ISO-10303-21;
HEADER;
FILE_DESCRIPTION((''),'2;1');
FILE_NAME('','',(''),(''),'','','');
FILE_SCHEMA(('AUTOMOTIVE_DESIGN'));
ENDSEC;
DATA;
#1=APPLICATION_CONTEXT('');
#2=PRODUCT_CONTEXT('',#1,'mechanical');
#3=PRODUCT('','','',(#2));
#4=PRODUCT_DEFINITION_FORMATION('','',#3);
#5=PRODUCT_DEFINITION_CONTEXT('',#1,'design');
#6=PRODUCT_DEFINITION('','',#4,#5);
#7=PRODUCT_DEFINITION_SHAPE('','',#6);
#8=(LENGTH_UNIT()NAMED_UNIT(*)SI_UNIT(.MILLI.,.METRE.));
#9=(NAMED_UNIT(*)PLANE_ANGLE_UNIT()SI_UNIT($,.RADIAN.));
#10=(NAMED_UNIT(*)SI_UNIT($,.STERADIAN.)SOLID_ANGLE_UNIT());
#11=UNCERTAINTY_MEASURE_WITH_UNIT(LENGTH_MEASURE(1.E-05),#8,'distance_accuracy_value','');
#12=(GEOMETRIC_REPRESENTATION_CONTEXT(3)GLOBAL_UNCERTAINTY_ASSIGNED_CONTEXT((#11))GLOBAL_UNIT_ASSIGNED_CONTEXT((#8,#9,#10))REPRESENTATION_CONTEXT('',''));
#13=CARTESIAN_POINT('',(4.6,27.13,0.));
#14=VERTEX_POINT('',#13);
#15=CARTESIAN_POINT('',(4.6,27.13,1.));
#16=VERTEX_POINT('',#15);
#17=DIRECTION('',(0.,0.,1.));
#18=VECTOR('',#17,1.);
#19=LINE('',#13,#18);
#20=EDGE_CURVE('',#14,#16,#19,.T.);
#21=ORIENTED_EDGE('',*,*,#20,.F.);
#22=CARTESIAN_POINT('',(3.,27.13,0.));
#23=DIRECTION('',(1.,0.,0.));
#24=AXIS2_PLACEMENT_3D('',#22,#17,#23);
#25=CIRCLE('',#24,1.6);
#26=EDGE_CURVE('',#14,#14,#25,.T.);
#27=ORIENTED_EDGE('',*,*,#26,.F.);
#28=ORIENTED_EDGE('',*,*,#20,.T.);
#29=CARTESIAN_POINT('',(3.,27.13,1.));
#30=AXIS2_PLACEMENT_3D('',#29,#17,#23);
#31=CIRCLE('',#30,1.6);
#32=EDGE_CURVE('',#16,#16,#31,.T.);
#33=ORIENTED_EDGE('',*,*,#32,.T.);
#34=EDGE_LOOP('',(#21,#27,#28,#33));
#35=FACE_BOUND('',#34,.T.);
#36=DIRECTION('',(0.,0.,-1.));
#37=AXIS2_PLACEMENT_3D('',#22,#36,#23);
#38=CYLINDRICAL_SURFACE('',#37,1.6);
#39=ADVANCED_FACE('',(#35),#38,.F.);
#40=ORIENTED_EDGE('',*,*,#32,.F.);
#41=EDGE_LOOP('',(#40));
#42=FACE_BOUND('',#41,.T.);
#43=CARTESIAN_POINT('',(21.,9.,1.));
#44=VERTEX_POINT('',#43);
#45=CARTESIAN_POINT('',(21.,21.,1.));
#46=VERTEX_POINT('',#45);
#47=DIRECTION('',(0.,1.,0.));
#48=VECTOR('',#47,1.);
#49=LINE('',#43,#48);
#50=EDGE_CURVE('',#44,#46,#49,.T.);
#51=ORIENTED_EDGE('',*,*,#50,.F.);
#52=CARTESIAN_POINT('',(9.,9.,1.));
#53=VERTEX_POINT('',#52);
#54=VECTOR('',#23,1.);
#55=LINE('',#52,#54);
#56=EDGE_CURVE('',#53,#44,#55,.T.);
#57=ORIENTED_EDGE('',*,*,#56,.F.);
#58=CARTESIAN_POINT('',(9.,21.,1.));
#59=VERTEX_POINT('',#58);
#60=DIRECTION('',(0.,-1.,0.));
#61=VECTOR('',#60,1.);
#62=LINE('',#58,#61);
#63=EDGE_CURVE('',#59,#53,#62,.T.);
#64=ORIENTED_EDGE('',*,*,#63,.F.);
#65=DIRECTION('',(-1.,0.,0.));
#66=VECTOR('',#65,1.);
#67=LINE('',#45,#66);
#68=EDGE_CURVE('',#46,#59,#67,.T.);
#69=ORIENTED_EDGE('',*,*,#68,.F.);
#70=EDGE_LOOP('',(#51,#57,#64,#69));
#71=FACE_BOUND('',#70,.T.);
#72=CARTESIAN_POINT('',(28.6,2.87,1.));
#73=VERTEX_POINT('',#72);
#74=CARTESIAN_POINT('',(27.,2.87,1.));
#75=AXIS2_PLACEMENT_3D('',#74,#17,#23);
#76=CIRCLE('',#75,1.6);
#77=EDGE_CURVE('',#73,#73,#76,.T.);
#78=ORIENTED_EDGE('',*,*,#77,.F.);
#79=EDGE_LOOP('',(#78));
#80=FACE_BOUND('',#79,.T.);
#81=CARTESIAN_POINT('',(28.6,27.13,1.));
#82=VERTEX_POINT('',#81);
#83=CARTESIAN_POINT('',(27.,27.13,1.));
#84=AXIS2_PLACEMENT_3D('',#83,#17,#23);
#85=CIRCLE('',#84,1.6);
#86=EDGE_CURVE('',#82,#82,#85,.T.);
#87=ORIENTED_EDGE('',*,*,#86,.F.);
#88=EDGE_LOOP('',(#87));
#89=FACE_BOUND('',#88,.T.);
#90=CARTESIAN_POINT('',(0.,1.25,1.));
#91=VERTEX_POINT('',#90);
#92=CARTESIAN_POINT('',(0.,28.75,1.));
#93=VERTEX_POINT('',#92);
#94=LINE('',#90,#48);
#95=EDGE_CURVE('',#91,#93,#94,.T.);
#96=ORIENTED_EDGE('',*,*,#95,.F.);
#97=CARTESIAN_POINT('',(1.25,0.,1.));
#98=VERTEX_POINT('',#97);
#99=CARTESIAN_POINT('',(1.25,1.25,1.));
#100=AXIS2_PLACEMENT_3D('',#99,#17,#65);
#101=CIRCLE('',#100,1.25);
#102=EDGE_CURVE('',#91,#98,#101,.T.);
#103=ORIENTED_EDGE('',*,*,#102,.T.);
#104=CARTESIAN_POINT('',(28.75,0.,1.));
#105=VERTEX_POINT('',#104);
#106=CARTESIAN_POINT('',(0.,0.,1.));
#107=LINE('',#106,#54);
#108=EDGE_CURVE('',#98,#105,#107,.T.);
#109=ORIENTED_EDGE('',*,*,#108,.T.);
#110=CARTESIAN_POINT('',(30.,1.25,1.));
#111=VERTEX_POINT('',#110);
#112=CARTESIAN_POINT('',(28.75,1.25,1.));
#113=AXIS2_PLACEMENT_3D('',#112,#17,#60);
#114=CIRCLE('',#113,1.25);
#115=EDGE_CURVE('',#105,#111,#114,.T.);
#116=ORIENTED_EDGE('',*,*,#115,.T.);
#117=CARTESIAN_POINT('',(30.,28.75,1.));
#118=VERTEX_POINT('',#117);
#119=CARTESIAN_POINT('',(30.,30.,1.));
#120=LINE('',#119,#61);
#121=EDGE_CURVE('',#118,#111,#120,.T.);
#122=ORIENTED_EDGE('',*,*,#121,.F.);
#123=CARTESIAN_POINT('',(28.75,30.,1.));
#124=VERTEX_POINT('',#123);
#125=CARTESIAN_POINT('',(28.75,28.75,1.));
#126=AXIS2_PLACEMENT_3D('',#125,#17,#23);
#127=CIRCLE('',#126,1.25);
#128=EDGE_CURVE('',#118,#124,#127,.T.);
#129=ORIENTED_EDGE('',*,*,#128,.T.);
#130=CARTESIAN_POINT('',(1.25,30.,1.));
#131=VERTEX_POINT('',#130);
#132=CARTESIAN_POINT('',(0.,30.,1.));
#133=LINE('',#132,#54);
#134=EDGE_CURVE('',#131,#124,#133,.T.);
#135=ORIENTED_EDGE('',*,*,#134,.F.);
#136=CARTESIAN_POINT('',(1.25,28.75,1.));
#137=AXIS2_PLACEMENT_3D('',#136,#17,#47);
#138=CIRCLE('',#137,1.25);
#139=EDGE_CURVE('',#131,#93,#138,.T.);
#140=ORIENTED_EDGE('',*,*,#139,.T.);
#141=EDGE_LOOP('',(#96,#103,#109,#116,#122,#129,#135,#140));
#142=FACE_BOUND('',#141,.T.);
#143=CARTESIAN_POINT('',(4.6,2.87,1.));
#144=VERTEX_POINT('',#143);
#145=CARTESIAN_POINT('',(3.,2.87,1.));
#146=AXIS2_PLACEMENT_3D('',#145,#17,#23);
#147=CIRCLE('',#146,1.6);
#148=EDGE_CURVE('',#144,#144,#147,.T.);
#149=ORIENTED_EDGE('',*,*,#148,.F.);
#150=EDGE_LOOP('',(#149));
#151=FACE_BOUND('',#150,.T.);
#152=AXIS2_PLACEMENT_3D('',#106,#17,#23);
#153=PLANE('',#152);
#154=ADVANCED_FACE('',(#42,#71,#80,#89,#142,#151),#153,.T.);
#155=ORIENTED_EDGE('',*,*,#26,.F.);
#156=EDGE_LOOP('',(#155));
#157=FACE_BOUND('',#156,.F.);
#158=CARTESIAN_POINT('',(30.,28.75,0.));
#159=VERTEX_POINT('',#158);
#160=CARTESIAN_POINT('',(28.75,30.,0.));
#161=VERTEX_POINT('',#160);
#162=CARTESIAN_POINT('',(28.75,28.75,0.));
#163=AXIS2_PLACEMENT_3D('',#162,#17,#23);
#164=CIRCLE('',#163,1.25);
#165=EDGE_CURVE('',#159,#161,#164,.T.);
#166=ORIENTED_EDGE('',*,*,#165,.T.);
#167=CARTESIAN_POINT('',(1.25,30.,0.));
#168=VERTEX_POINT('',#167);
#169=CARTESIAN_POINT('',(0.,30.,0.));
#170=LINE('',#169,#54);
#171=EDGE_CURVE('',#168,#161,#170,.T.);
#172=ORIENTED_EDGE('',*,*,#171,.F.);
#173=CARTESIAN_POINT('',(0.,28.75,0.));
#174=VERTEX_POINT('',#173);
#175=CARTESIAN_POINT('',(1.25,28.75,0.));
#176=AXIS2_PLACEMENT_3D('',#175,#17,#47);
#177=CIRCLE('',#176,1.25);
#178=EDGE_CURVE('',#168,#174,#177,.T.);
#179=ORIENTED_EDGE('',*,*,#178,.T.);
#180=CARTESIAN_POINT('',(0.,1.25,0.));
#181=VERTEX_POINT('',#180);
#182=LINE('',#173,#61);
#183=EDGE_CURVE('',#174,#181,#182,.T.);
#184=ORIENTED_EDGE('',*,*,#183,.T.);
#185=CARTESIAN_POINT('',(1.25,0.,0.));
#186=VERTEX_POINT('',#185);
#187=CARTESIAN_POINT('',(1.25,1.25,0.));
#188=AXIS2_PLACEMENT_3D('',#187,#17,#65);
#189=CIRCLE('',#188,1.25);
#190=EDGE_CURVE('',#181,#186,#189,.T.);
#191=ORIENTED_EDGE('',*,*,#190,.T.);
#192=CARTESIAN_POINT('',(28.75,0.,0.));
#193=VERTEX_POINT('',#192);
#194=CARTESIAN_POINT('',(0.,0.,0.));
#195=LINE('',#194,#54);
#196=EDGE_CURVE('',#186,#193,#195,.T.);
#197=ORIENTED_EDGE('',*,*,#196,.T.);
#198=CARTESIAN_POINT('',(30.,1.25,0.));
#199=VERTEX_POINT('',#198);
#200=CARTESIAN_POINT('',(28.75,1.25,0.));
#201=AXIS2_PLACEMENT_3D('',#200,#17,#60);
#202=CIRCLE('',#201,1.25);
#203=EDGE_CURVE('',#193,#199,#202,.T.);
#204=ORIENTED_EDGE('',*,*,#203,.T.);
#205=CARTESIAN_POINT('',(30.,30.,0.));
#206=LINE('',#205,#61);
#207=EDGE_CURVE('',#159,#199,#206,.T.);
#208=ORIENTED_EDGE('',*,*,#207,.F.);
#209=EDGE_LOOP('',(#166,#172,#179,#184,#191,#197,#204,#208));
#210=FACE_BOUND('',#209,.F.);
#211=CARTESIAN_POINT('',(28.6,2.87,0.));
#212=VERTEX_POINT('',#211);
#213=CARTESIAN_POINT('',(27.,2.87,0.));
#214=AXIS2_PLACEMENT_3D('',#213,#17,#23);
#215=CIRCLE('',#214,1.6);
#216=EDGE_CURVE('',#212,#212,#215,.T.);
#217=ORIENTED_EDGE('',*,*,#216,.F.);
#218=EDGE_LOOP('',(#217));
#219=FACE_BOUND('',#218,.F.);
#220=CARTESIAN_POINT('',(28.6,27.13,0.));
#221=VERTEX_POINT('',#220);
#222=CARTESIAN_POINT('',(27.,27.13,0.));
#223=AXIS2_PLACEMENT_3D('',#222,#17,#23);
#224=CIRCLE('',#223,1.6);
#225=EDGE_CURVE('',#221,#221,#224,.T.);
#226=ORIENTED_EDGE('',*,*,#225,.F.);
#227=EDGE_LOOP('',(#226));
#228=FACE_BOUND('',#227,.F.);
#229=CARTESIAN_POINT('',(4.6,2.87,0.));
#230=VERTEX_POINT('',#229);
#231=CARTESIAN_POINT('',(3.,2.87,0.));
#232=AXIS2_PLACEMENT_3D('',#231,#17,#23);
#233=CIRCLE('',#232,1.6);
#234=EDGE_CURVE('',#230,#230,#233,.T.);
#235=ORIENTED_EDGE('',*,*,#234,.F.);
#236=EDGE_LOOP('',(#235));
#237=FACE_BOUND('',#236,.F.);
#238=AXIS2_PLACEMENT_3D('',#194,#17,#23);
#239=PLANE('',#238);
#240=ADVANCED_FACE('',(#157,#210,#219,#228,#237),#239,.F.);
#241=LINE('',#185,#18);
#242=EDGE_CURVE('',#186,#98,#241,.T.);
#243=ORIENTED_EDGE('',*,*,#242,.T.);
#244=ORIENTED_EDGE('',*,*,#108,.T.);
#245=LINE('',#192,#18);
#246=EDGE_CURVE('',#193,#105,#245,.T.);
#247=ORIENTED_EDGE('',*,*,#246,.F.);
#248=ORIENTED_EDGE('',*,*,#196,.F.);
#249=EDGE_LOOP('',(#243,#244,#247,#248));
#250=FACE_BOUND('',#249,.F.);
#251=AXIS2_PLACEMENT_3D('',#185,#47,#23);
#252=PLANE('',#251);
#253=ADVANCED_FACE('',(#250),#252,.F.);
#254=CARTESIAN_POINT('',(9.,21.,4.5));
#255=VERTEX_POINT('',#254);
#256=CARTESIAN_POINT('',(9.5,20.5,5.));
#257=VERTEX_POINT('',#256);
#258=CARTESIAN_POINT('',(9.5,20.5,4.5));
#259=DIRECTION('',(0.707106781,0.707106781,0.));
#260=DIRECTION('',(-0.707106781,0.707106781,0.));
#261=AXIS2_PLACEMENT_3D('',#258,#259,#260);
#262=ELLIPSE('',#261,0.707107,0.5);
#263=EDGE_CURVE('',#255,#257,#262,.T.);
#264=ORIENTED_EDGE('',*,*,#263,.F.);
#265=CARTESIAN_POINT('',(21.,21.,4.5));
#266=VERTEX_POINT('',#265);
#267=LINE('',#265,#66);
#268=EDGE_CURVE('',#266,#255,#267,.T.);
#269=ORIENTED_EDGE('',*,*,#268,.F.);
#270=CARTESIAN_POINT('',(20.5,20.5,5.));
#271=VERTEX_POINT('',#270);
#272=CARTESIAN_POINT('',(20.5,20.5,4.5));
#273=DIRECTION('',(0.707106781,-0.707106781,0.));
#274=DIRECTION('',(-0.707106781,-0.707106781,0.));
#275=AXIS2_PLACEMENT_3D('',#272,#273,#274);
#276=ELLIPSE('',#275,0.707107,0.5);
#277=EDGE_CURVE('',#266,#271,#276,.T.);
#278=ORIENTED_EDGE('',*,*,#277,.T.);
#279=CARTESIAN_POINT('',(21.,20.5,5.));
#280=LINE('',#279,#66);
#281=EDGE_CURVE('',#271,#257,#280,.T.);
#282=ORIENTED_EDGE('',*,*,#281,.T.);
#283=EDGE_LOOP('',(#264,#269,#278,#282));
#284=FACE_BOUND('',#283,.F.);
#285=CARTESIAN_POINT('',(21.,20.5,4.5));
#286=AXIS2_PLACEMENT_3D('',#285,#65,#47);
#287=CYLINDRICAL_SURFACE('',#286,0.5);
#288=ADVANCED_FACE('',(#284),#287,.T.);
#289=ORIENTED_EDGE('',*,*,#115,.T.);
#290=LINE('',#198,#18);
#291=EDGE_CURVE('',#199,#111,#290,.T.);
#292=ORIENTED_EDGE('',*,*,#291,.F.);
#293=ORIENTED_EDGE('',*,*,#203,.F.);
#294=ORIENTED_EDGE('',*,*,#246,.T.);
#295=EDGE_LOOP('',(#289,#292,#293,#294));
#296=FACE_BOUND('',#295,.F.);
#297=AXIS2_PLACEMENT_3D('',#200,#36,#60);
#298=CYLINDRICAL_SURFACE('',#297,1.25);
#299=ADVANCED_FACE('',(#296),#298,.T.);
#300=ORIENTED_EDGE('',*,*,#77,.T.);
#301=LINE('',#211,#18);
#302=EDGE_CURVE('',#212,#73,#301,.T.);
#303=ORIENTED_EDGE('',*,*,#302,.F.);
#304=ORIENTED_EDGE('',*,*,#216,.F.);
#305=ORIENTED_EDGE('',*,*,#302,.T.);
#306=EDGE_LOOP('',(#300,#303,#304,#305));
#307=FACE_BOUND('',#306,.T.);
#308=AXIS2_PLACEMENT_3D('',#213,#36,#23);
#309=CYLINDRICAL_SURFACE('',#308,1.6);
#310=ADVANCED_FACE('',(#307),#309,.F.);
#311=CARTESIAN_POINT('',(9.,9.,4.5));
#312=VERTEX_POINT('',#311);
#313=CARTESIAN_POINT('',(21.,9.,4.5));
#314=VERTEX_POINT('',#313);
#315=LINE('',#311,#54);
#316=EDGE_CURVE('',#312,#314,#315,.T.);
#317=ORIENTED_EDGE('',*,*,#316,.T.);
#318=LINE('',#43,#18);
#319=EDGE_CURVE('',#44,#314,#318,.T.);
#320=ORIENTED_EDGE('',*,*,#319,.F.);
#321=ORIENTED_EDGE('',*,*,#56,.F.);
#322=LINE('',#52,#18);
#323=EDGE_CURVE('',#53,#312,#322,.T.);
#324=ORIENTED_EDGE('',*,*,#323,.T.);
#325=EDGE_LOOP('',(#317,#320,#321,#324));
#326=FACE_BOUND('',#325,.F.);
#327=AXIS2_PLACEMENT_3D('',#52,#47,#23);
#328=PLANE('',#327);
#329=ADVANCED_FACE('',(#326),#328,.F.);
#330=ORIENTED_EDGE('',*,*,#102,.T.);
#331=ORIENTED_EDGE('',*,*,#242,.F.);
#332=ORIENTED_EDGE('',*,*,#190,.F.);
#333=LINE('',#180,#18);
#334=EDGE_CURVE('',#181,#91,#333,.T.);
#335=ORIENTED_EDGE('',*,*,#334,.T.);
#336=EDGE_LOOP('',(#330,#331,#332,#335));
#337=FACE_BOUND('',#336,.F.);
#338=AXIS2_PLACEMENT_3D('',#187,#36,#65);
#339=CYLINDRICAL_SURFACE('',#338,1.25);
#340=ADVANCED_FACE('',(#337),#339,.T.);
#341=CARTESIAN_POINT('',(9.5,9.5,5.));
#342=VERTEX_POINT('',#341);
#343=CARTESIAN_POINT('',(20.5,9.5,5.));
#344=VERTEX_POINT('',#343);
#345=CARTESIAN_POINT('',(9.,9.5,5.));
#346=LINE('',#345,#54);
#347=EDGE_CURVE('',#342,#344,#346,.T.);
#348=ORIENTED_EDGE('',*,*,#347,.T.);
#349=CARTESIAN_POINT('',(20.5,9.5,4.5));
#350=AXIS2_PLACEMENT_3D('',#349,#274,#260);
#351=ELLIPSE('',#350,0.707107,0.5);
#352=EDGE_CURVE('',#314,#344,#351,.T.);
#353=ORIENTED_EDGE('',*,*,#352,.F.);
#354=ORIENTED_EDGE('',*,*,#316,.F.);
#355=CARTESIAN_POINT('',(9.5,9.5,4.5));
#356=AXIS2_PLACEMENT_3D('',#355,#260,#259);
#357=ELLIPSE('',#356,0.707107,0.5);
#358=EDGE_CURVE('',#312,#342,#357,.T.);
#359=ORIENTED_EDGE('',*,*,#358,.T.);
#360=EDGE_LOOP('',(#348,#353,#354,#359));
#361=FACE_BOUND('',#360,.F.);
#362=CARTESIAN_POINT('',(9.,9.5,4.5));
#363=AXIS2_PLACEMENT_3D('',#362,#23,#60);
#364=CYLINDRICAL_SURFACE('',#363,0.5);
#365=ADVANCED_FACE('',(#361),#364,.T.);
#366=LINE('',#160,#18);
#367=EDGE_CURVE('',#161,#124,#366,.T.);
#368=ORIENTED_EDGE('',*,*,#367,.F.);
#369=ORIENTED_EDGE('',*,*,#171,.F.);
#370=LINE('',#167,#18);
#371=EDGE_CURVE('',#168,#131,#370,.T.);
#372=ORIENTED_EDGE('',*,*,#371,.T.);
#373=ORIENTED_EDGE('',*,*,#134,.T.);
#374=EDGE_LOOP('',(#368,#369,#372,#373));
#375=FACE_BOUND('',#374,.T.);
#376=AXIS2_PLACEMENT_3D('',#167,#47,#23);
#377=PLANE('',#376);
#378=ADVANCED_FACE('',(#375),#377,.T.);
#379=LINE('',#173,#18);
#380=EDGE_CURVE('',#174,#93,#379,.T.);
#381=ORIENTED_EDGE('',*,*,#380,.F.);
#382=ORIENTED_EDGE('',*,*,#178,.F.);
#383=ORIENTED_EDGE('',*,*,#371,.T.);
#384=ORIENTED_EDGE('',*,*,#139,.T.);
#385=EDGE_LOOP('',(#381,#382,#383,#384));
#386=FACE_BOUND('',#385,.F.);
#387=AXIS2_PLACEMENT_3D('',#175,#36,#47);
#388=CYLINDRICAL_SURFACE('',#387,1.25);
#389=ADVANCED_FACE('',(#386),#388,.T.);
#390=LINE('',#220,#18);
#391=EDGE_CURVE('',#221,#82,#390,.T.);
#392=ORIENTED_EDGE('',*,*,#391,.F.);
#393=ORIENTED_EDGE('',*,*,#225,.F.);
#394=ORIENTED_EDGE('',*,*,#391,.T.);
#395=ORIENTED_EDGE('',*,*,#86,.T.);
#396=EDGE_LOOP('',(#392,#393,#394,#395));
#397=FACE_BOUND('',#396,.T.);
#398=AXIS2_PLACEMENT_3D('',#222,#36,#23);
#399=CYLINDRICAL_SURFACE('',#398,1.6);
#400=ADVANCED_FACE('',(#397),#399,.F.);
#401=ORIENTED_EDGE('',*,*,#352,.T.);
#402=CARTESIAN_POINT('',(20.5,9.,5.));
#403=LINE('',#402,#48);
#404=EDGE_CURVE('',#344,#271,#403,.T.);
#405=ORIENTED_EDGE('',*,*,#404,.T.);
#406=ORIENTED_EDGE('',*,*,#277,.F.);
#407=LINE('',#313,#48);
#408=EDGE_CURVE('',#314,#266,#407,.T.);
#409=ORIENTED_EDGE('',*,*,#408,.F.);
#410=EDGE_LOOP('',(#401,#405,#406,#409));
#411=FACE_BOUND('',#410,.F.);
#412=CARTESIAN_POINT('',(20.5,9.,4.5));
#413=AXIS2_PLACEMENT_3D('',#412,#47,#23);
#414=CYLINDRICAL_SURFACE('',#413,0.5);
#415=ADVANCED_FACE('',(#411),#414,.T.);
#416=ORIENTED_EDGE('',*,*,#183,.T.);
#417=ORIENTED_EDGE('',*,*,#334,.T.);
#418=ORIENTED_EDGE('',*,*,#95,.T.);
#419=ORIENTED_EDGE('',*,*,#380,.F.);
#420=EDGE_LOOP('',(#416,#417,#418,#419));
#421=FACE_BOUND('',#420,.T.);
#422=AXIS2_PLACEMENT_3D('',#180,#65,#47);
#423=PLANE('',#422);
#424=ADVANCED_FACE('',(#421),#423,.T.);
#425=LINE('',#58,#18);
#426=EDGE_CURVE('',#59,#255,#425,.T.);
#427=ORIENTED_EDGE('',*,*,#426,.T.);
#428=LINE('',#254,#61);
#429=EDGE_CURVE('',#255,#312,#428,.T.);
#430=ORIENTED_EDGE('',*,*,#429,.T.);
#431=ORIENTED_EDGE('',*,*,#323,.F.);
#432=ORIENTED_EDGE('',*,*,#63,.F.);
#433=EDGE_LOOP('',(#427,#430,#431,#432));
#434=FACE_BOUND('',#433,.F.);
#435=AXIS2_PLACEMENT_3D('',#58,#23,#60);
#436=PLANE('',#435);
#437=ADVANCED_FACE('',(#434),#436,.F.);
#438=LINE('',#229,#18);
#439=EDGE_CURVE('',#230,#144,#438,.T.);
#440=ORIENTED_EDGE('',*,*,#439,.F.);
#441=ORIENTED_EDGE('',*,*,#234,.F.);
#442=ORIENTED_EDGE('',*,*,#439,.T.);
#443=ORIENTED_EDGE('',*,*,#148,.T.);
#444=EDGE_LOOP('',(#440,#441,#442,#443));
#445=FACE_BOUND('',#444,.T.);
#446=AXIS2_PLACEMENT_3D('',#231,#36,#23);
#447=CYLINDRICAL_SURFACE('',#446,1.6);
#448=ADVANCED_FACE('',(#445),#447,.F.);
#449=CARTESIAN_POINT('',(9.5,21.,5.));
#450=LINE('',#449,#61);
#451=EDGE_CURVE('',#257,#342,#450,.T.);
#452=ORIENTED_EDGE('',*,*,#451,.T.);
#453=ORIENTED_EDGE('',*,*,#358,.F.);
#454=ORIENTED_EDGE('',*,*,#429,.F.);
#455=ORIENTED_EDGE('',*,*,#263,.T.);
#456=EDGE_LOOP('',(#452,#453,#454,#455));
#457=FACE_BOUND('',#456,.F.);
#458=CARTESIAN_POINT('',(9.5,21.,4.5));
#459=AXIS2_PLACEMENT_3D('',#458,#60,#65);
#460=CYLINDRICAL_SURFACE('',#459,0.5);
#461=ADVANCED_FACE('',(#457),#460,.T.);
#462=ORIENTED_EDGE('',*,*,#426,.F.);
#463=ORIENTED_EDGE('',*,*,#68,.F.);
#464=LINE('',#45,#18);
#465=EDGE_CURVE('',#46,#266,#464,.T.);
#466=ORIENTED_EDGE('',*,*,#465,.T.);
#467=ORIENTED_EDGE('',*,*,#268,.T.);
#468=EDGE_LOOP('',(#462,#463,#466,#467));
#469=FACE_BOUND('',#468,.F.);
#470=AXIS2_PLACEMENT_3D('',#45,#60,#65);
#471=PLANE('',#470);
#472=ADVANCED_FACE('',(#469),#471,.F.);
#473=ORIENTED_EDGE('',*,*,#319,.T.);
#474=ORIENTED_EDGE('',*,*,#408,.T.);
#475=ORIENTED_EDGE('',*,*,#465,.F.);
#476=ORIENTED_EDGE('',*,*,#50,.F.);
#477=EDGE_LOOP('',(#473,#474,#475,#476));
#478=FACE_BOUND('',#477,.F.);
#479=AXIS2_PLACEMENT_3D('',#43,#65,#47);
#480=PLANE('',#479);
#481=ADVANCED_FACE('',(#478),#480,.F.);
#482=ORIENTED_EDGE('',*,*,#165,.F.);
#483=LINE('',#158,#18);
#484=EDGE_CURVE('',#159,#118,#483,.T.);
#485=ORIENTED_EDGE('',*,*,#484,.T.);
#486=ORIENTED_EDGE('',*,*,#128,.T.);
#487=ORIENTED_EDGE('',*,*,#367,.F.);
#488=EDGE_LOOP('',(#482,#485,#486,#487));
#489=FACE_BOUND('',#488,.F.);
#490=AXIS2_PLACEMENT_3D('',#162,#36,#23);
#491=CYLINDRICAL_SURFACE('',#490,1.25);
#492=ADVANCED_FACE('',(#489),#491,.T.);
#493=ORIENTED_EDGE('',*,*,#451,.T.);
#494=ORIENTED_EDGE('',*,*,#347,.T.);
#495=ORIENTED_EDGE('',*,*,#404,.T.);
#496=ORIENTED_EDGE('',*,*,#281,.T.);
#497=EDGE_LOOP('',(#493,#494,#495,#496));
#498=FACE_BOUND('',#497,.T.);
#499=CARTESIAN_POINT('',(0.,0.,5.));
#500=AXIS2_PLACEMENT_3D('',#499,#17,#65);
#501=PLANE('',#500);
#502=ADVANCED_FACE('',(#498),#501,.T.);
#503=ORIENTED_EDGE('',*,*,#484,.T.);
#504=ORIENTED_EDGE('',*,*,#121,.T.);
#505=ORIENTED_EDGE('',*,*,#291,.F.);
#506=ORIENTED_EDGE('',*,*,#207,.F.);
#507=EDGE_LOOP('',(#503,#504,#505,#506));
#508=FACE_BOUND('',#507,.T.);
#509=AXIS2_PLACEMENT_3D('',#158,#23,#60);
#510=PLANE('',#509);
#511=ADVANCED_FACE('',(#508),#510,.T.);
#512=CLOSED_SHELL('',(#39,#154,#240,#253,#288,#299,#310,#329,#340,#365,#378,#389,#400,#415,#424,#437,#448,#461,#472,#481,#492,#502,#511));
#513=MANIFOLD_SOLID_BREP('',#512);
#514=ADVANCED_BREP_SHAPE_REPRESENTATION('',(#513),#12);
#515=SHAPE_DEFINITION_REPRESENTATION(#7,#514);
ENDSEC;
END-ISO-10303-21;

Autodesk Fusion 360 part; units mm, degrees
sketch "スケッチ1" plane through (0, 0, 0) normal (0, 0, 1) x (1, 0, 0)
  line L0 (0, 0) -> (30, 0)
  line L1 (30, 0) -> (0, 0)
  line L2 (0, 0) -> (0, 30)
  line L3 (0, 30) -> (30, 30)
  line L4 (30, 30) -> (30, 0)
  line L5 (0, 0) -> (1.25, 0)
  line L6 (0, 0) -> (0, 1.25)
  arc A0 (0, 1.25) -> (1.25, 0) centre (1.25, 1.25) ccw
  arc A1 (1.25, 30) -> (0, 28.75) centre (1.25, 28.75) ccw
  arc A2 (30, 28.75) -> (28.75, 30) centre (28.75, 28.75) ccw
  arc A3 (28.75, 0) -> (30, 1.25) centre (28.75, 1.25) ccw
  line L7 (0, 30) -> (0, 28.73)
  circle A4 centre (3, 27.13) radius 1.6
  circle A5 centre (27, 27.13) radius 1.6
  circle A6 centre (27, 2.87) radius 1.6
  circle A7 centre (3, 2.87) radius 1.6
  dimension "d1" = 30
  dimension "d2" = 1.25
  dimension "d3" = 1.25
  dimension "d4" = 1.27
  dimension "d6" = 3.2
extrude "押し出し1" add sketch "スケッチ1" along normal blind 1 contours L0 L1 L2 L3 L4 A0 A1 A2 A3 L7
sketch "スケッチ2" plane through (0, 0, 1) normal (0, 0, 1) x (-1, 0, 0)
  circle A0 centre (-3, -27.13) radius 1.6
  circle A1 centre (-3, -2.87) radius 1.6
  circle A2 centre (-27, -2.87) radius 1.6
  circle A3 centre (-27, -27.13) radius 1.6
  arc A4 (-30, -28.75) -> (-28.75, -30) centre (-28.75, -28.75) ccw
  line L0 (-28.75, -30) -> (-1.25, -30)
  arc A5 (-1.25, -30) -> (0, -28.75) centre (-1.25, -28.75) ccw
  line L1 (0, -28.75) -> (0, -1.25)
  arc A6 (0, -1.25) -> (-1.25, 0) centre (-1.25, -1.25) ccw
  line L2 (-1.25, 0) -> (-28.75, 0)
  arc A7 (-28.75, 0) -> (-30, -1.25) centre (-28.75, -1.25) ccw
  line L3 (-30, -1.25) -> (-30, -28.75)
  line L4 (-8, -22) -> (-8, -8)
  line L5 (-8, -8) -> (-22, -8)
  line L6 (-22, -8) -> (-22, -22)
  line L7 (-22, -22) -> (-8, -22)
sketch "スケッチ3" plane through (0, 0, 1) normal (0, 0, 1) x (-1, 0, 0)
  circle A0 centre (-3, -27.13) radius 1.6
  circle A1 centre (-3, -2.87) radius 1.6
  circle A2 centre (-27, -2.87) radius 1.6
  circle A3 centre (-27, -27.13) radius 1.6
  arc A4 (-30, -28.75) -> (-28.75, -30) centre (-28.75, -28.75) ccw
  line L0 (-28.75, -30) -> (-1.25, -30)
  arc A5 (-1.25, -30) -> (0, -28.75) centre (-1.25, -28.75) ccw
  line L1 (0, -28.75) -> (0, -1.25)
  arc A6 (0, -1.25) -> (-1.25, 0) centre (-1.25, -1.25) ccw
  line L2 (-1.25, 0) -> (-28.75, 0)
  arc A7 (-28.75, 0) -> (-30, -1.25) centre (-28.75, -1.25) ccw
  line L3 (-30, -1.25) -> (-30, -28.75)
  line L4 (-9, -21) -> (-9, -9)
  line L5 (-9, -9) -> (-21, -9)
  line L6 (-21, -9) -> (-21, -21)
  line L7 (-21, -21) -> (-9, -21)
extrude "押し出し3" add sketch "スケッチ3" along normal blind 4 contours L4 L5 L6 L7
fillet "フィレット2" radius 0.5 1 faces at (13, 17, 5)
extrude "押し出し2" [suppressed]
fillet "フィレット1" [suppressed]
